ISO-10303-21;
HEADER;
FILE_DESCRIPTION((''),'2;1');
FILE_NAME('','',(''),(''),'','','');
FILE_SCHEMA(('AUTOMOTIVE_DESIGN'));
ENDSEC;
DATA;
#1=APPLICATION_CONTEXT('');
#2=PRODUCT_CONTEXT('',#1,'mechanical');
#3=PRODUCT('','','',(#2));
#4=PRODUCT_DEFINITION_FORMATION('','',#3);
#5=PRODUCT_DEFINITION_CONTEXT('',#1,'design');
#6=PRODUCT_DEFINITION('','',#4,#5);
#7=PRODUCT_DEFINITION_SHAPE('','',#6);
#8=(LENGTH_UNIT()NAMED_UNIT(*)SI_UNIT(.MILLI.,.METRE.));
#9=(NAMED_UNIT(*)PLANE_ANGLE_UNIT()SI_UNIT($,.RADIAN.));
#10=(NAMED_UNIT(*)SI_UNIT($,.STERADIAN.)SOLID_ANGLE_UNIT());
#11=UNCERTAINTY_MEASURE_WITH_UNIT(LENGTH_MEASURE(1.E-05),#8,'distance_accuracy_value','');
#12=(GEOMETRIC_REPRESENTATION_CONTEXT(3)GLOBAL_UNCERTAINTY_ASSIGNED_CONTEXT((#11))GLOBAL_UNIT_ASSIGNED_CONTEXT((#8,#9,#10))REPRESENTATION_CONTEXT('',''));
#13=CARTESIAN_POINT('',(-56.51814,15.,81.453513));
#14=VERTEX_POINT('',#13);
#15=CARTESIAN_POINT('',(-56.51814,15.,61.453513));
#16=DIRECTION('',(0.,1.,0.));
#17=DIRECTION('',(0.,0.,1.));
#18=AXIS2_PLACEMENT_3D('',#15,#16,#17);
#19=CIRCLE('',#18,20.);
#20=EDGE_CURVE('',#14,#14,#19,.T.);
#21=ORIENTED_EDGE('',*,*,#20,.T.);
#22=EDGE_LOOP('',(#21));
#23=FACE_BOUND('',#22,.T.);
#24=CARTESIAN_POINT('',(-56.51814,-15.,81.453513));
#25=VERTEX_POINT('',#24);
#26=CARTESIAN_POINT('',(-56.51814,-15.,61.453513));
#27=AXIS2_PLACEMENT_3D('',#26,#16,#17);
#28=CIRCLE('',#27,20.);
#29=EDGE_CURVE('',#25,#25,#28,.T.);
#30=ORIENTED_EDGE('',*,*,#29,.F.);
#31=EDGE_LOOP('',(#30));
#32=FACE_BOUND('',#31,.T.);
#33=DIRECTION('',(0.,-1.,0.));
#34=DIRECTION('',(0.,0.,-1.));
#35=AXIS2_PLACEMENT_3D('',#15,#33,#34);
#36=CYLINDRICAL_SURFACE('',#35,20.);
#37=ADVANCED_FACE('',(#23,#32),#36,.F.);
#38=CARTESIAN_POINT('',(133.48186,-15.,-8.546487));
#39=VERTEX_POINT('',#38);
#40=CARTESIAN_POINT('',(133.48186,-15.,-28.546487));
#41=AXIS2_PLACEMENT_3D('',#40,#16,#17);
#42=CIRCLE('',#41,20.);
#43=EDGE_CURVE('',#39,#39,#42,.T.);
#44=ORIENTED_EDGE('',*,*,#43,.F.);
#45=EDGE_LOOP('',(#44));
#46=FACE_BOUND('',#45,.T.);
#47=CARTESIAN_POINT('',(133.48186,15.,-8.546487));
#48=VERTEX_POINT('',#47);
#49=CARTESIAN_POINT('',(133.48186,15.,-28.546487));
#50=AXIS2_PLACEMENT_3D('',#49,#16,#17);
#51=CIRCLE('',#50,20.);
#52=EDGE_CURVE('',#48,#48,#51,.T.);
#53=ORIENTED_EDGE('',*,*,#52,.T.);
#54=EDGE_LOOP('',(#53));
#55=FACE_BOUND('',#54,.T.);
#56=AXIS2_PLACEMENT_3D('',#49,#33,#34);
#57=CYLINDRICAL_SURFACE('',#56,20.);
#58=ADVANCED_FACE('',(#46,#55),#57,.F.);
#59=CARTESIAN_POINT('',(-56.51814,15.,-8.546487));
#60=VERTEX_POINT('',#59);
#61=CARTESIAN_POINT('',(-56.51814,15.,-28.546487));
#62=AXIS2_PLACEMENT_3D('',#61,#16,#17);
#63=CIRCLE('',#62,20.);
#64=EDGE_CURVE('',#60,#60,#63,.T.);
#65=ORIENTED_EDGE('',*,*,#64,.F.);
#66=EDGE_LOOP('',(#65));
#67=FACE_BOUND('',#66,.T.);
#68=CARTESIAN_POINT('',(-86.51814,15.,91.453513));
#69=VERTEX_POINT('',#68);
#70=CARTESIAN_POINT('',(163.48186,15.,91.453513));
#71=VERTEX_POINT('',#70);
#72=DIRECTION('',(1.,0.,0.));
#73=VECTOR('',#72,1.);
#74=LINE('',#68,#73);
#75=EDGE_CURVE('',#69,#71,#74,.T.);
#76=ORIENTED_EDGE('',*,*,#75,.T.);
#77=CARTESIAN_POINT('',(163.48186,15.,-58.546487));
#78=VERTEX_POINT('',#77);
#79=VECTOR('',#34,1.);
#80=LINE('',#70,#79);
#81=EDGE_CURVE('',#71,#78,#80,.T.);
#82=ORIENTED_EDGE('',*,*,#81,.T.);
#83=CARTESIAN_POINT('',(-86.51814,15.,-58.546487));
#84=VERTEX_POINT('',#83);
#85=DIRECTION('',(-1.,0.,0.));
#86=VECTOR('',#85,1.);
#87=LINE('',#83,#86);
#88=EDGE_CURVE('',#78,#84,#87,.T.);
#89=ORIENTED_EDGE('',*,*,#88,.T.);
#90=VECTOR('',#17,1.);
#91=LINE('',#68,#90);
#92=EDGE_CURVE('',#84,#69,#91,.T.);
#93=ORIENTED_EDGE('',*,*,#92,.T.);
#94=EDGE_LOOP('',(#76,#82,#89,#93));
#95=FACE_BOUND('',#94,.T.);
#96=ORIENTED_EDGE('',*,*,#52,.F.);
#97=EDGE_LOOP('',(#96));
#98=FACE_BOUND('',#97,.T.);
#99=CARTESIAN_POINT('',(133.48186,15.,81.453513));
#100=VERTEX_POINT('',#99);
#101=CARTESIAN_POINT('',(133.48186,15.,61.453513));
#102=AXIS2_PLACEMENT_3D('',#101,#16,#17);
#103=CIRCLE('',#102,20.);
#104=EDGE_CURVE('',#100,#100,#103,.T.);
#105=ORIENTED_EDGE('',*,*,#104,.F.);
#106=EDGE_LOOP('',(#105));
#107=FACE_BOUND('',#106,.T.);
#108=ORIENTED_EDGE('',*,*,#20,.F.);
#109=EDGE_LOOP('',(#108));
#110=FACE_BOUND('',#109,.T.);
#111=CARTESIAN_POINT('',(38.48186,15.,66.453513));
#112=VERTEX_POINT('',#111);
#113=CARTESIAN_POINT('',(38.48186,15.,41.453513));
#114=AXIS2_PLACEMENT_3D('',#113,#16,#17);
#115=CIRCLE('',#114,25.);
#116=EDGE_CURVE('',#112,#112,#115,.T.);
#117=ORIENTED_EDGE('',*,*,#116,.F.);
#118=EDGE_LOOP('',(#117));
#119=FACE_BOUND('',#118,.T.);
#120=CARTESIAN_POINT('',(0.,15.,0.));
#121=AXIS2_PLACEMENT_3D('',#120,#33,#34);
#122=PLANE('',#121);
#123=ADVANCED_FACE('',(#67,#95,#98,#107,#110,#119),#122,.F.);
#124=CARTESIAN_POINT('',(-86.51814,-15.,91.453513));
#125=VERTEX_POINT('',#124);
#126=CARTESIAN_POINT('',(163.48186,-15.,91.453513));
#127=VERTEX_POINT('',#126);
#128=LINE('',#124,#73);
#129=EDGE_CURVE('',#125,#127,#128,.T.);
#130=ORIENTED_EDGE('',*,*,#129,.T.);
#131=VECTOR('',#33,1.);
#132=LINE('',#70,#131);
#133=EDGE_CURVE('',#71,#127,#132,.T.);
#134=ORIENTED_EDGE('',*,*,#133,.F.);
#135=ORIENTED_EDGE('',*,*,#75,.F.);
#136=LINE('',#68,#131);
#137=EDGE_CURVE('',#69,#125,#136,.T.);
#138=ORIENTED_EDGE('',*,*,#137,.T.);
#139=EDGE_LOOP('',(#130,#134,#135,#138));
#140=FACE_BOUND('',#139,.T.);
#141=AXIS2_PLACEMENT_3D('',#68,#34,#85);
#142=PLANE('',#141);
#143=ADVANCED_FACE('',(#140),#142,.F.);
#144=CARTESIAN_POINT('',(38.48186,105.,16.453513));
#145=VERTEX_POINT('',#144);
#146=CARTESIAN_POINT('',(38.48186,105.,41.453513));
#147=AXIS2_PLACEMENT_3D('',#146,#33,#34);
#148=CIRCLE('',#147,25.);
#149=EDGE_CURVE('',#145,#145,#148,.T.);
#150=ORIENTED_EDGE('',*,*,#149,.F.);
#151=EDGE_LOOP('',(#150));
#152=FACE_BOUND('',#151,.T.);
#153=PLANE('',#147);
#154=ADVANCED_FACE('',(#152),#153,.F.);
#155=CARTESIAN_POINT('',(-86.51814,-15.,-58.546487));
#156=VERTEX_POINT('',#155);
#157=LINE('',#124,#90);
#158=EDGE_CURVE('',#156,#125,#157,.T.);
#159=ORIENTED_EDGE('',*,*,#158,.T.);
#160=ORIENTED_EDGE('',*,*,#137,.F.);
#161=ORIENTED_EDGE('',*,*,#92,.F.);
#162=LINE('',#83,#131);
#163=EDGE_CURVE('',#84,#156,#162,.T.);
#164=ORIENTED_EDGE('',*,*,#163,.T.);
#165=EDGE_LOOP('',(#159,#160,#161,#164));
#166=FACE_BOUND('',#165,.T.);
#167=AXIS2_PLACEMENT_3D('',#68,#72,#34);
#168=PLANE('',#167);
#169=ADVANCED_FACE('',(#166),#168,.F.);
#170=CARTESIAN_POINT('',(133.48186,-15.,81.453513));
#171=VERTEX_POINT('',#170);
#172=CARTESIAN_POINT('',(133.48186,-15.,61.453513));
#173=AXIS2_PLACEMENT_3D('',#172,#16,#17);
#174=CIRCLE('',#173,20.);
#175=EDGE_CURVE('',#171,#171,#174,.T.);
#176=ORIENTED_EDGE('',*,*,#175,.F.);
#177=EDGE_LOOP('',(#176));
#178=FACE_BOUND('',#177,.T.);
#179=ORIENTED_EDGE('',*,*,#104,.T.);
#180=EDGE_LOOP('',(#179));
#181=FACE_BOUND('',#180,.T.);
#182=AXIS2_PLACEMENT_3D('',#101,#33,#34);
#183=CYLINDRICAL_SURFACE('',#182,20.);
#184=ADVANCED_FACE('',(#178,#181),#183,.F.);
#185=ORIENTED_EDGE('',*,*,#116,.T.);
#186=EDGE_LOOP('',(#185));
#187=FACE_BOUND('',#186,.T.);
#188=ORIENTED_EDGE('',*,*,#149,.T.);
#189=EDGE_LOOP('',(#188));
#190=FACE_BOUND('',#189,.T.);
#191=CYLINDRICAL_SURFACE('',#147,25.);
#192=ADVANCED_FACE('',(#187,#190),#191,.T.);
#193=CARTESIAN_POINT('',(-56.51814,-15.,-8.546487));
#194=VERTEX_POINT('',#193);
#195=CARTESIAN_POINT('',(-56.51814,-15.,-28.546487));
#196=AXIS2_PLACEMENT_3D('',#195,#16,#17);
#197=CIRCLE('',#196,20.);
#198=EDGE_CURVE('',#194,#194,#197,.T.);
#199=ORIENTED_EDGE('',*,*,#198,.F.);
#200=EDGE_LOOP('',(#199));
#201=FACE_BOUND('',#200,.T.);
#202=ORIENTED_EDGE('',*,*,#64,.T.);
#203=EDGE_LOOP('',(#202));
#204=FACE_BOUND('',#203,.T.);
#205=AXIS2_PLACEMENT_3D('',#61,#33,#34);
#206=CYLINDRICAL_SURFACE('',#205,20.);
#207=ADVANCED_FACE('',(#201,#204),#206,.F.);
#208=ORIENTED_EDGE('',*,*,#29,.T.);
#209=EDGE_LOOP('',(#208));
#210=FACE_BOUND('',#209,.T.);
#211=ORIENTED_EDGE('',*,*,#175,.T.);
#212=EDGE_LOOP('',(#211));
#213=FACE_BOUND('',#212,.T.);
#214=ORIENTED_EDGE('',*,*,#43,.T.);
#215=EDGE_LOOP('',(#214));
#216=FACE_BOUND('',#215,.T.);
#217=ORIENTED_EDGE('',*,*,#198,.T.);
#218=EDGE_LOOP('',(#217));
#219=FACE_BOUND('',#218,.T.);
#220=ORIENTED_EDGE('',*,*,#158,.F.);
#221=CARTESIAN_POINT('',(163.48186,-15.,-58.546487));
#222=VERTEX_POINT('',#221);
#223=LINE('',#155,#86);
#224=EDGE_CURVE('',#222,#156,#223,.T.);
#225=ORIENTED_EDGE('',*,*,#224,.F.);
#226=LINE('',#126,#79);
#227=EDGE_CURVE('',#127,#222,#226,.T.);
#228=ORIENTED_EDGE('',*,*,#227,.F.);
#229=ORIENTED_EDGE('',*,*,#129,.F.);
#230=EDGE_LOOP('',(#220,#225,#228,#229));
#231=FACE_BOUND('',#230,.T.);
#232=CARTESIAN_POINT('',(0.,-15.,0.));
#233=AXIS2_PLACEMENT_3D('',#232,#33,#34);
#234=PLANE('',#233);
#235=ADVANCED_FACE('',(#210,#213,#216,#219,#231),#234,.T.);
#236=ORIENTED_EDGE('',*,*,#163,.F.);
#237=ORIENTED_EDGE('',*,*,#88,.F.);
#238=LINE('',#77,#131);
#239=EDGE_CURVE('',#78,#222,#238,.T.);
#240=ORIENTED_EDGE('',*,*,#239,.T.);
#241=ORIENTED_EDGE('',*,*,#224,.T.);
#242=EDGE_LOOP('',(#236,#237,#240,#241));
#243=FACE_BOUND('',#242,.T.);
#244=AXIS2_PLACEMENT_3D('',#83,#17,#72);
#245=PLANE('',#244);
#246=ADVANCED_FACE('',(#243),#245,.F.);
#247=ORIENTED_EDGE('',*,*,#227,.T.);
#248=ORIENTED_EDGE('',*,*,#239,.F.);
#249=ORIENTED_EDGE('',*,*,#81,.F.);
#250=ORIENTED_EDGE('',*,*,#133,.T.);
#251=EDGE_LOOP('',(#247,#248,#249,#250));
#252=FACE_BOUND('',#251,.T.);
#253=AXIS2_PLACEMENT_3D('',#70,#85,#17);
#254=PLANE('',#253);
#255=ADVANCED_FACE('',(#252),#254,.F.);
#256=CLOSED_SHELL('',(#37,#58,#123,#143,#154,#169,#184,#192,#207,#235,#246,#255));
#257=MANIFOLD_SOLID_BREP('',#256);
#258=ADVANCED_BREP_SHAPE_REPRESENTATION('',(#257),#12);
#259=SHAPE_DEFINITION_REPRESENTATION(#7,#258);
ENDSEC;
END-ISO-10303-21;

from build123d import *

# Parameters (mm, degrees)
SKETCH1_W                = 250
SKETCH1_H                = 150
SKETCH1_R                = 20
SKETCH1_R_2              = 25
BOSS_EXTRUDE1_DEPTH      = 15
SKETCH2_R                = 25
BOSS_EXTRUDE2_DEPTH      = 2
BOSS_EXTRUDE2_DEPTH_BACK = 120
SKETCH3_R                = 25
CUT_EXTRUDE1_DEPTH       = 2


with BuildPart() as part:
    # Sketch1 → Boss-Extrude1 (new body, symmetric)
    with BuildSketch(Plane(origin=(0, 0, 0), x_dir=(1, 0, 0), z_dir=(0, 1, 0))):
        with Locations((38.481860276, -16.453513268)):
            Rectangle(SKETCH1_W, SKETCH1_H)
        with Locations((-56.518139724, 28.546486732)):
            Circle(SKETCH1_R, mode=Mode.SUBTRACT)
        with Locations((133.481860276, 28.546486732)):
            Circle(SKETCH1_R, mode=Mode.SUBTRACT)
        with Locations((133.481860276, -61.453513268)):
            Circle(SKETCH1_R, mode=Mode.SUBTRACT)
        with Locations((-56.518139724, -61.453513268)):
            Circle(SKETCH1_R, mode=Mode.SUBTRACT)
        with Locations((38.481860276, -41.453513268)):
            Circle(SKETCH1_R_2, mode=Mode.SUBTRACT)
    extrude(amount=BOSS_EXTRUDE1_DEPTH, both=True)

    # Sketch2 → Boss-Extrude2 (add, two sides)
    with BuildSketch(Plane.XZ.offset(15)) as boss_extrude2_sk:
        with Locations((38.481860276, 41.453513268)):
            Circle(SKETCH2_R)
    extrude(amount=BOSS_EXTRUDE2_DEPTH)
    extrude(boss_extrude2_sk.sketch, amount=-BOSS_EXTRUDE2_DEPTH_BACK)

    # Sketch3 → Cut-Extrude1 (cut)
    with BuildSketch(Plane(origin=(0, -17, 0), x_dir=(-1, 0, 0), z_dir=(0, -1, 0))):
        with Locations((-38.481860276, -41.453513268)):
            Circle(SKETCH3_R)
    extrude(amount=-CUT_EXTRUDE1_DEPTH, mode=Mode.SUBTRACT)


solid = part.part
